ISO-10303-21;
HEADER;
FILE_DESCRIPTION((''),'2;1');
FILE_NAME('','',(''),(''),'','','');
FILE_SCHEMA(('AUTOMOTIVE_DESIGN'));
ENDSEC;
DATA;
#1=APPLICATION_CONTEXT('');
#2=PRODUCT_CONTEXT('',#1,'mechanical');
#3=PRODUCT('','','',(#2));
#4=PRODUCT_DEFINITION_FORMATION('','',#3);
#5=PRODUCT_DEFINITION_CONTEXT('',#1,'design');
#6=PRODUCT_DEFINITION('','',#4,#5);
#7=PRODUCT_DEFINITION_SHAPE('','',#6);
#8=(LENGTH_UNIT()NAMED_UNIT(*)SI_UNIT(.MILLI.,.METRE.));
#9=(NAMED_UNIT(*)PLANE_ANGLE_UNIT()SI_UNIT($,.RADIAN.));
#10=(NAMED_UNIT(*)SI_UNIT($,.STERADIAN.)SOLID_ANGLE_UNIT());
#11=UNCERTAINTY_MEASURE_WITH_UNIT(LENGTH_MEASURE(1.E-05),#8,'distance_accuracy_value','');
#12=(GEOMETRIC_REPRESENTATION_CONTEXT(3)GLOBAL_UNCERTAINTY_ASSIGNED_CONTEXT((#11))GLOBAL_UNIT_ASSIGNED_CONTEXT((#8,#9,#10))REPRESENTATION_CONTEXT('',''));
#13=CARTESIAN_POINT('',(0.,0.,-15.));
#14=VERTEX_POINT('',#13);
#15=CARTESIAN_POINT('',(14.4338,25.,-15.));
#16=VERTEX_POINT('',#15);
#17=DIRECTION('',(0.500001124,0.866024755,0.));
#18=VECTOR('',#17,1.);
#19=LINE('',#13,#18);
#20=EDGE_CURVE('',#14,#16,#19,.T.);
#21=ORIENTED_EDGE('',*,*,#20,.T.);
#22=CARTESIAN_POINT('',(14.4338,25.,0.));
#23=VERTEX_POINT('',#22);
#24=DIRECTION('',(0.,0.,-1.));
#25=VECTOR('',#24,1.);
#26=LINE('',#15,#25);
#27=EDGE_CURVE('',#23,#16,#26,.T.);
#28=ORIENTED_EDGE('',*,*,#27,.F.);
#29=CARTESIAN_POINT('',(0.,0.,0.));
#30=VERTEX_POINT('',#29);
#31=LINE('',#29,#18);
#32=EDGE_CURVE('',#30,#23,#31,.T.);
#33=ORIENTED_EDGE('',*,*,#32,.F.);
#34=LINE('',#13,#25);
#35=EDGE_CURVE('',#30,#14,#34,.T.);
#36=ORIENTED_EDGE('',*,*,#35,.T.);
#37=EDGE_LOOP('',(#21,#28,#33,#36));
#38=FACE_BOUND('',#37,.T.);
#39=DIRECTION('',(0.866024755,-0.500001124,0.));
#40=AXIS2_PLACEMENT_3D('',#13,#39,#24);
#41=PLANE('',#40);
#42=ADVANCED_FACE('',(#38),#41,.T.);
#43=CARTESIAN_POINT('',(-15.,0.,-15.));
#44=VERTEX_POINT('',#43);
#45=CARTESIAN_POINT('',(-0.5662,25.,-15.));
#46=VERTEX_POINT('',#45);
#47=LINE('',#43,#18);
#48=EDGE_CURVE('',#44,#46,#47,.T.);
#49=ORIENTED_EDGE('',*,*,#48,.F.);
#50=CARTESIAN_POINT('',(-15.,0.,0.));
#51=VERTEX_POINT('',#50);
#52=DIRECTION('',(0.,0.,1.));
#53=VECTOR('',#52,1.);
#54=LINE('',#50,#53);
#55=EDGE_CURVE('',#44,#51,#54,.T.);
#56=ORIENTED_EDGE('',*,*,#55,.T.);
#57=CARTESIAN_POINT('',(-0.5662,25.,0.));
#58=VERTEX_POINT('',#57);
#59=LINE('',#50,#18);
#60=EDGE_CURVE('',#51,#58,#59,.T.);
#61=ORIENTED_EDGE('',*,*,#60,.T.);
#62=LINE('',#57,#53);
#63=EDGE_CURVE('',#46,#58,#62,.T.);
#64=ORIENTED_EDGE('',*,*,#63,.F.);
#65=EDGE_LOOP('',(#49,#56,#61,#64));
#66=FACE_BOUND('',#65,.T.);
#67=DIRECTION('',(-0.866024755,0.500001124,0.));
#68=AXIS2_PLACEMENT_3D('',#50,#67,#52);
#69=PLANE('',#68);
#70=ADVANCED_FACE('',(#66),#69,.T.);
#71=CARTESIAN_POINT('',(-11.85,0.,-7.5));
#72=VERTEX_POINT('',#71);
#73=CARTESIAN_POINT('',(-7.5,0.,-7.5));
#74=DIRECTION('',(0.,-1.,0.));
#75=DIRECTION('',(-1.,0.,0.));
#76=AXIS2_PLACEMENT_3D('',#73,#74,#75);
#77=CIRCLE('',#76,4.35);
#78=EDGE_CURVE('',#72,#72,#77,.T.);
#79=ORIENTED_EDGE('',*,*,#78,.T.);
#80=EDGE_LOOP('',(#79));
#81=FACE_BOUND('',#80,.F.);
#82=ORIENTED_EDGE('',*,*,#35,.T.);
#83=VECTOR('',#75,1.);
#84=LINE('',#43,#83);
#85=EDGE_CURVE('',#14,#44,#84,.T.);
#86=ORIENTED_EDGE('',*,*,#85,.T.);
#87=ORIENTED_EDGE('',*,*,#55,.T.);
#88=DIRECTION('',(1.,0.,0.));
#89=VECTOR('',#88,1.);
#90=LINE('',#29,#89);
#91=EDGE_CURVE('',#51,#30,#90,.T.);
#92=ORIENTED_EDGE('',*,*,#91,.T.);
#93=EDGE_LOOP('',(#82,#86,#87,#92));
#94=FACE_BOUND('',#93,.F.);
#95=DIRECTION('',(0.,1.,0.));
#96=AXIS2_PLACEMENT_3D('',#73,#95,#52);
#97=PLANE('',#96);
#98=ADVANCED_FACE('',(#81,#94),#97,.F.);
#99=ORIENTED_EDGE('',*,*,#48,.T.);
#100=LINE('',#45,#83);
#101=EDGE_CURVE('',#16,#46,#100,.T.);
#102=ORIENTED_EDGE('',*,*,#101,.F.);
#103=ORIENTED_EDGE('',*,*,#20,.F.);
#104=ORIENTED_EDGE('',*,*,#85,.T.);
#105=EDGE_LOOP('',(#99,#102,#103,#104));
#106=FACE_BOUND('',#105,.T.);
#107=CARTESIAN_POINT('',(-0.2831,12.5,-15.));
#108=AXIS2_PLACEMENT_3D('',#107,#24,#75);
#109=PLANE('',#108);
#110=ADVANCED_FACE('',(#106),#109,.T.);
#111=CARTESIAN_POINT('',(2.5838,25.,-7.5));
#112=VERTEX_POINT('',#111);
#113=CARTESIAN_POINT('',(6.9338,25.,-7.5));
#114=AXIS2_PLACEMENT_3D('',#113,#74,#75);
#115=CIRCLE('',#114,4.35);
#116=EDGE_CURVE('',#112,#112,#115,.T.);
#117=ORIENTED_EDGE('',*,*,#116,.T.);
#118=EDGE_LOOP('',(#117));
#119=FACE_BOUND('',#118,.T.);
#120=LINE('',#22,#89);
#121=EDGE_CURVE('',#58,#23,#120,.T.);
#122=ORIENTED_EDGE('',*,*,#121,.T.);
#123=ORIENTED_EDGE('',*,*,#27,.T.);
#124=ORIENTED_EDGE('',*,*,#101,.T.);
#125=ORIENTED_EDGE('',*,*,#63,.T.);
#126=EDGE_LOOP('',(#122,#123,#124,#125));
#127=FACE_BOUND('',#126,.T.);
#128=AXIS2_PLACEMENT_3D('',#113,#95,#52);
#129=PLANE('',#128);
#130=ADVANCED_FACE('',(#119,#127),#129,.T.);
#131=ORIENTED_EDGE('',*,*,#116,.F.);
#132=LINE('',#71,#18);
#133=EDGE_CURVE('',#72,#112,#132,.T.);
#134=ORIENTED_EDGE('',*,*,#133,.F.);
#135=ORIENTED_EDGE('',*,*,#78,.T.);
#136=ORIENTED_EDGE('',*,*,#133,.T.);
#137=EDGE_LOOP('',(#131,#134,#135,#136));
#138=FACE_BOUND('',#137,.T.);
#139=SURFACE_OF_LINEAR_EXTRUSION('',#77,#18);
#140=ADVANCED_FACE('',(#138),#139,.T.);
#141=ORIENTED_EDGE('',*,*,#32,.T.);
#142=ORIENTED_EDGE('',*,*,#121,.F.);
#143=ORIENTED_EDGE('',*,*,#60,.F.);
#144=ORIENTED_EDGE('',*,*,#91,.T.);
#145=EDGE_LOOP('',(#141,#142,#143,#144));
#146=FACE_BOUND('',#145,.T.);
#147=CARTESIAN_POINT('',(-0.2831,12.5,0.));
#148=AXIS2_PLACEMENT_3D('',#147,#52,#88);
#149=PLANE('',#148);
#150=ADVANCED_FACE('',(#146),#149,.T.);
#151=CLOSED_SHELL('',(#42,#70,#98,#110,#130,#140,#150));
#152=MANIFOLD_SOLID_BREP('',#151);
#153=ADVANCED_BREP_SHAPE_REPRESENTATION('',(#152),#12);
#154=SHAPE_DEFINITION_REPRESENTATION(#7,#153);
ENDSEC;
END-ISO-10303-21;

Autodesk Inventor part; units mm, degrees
ref_plane "YZ Plane" through (0, 0, 0) normal (1, 0, 0) x (0, 1, 0)
ref_plane "XZ Plane" through (0, 0, 0) normal (0, 1, 0) x (-1, 0, 0)
ref_plane "XY Plane" through (0, 0, 0) normal (0, 0, 1) x (1, 0, 0)
sketch "Sketch1" plane through (0, 0, 0) normal (0, 1, 0) x (-1, 0, 0)
  line L0 (0, 0) -> (15, 0)
  line L1 (15, 0) -> (15, -15)
  line L2 (15, -15) -> (0, -15)
  line L3 (0, -15) -> (0, 0)
  circle A0 centre (7.5, -7.5) radius 4.35
  dimension "soporte_largo" = 15
  dimension "soporte_ancho" = 15
  dimension "soporte_hueco_diametro" = 8.7
  dimension "soporte_hueco_pos_ancho" = 7.5
  dimension "soporte_hueco_pos_largo" = 7.5
sketch "Sketch2" plane through (0, 0, 0) normal (0, 0, 1) x (1, 0, 0)
  line L0 (0, 0) -> (14.4338, 25)
  line L1 (0, 0) -> (28.8675, 0) construction
  dimension "soporte_inclinacion" = 60
  dimension "soporte_alterura" = 25
sweep "Sweep1" add profiles "Sketch1" path "Sketch2"
equation "\"soporte_hueco_pos_ancho\" = 0.5 * soporte_ancho"
equation "\"soporte_hueco_pos_largo\" = 0.5 * soporte_largo"
equation "\"tol1\" = 0.1"
equation "\"tol2\" = 0.2"
equation "\"tol3\" = 0.3"
equation "\"tol4\" = 0.4"
equation "\"tol5\" = 0.5"
equation "\"tol6\" = 0.6"
equation "\"tol7\" = 0.7"
equation "\"tol8\" = 0.8"
equation "\"tol9\" = 0.9"
equation "\"tol\" = 7"
properties part number "TestSoporte"
